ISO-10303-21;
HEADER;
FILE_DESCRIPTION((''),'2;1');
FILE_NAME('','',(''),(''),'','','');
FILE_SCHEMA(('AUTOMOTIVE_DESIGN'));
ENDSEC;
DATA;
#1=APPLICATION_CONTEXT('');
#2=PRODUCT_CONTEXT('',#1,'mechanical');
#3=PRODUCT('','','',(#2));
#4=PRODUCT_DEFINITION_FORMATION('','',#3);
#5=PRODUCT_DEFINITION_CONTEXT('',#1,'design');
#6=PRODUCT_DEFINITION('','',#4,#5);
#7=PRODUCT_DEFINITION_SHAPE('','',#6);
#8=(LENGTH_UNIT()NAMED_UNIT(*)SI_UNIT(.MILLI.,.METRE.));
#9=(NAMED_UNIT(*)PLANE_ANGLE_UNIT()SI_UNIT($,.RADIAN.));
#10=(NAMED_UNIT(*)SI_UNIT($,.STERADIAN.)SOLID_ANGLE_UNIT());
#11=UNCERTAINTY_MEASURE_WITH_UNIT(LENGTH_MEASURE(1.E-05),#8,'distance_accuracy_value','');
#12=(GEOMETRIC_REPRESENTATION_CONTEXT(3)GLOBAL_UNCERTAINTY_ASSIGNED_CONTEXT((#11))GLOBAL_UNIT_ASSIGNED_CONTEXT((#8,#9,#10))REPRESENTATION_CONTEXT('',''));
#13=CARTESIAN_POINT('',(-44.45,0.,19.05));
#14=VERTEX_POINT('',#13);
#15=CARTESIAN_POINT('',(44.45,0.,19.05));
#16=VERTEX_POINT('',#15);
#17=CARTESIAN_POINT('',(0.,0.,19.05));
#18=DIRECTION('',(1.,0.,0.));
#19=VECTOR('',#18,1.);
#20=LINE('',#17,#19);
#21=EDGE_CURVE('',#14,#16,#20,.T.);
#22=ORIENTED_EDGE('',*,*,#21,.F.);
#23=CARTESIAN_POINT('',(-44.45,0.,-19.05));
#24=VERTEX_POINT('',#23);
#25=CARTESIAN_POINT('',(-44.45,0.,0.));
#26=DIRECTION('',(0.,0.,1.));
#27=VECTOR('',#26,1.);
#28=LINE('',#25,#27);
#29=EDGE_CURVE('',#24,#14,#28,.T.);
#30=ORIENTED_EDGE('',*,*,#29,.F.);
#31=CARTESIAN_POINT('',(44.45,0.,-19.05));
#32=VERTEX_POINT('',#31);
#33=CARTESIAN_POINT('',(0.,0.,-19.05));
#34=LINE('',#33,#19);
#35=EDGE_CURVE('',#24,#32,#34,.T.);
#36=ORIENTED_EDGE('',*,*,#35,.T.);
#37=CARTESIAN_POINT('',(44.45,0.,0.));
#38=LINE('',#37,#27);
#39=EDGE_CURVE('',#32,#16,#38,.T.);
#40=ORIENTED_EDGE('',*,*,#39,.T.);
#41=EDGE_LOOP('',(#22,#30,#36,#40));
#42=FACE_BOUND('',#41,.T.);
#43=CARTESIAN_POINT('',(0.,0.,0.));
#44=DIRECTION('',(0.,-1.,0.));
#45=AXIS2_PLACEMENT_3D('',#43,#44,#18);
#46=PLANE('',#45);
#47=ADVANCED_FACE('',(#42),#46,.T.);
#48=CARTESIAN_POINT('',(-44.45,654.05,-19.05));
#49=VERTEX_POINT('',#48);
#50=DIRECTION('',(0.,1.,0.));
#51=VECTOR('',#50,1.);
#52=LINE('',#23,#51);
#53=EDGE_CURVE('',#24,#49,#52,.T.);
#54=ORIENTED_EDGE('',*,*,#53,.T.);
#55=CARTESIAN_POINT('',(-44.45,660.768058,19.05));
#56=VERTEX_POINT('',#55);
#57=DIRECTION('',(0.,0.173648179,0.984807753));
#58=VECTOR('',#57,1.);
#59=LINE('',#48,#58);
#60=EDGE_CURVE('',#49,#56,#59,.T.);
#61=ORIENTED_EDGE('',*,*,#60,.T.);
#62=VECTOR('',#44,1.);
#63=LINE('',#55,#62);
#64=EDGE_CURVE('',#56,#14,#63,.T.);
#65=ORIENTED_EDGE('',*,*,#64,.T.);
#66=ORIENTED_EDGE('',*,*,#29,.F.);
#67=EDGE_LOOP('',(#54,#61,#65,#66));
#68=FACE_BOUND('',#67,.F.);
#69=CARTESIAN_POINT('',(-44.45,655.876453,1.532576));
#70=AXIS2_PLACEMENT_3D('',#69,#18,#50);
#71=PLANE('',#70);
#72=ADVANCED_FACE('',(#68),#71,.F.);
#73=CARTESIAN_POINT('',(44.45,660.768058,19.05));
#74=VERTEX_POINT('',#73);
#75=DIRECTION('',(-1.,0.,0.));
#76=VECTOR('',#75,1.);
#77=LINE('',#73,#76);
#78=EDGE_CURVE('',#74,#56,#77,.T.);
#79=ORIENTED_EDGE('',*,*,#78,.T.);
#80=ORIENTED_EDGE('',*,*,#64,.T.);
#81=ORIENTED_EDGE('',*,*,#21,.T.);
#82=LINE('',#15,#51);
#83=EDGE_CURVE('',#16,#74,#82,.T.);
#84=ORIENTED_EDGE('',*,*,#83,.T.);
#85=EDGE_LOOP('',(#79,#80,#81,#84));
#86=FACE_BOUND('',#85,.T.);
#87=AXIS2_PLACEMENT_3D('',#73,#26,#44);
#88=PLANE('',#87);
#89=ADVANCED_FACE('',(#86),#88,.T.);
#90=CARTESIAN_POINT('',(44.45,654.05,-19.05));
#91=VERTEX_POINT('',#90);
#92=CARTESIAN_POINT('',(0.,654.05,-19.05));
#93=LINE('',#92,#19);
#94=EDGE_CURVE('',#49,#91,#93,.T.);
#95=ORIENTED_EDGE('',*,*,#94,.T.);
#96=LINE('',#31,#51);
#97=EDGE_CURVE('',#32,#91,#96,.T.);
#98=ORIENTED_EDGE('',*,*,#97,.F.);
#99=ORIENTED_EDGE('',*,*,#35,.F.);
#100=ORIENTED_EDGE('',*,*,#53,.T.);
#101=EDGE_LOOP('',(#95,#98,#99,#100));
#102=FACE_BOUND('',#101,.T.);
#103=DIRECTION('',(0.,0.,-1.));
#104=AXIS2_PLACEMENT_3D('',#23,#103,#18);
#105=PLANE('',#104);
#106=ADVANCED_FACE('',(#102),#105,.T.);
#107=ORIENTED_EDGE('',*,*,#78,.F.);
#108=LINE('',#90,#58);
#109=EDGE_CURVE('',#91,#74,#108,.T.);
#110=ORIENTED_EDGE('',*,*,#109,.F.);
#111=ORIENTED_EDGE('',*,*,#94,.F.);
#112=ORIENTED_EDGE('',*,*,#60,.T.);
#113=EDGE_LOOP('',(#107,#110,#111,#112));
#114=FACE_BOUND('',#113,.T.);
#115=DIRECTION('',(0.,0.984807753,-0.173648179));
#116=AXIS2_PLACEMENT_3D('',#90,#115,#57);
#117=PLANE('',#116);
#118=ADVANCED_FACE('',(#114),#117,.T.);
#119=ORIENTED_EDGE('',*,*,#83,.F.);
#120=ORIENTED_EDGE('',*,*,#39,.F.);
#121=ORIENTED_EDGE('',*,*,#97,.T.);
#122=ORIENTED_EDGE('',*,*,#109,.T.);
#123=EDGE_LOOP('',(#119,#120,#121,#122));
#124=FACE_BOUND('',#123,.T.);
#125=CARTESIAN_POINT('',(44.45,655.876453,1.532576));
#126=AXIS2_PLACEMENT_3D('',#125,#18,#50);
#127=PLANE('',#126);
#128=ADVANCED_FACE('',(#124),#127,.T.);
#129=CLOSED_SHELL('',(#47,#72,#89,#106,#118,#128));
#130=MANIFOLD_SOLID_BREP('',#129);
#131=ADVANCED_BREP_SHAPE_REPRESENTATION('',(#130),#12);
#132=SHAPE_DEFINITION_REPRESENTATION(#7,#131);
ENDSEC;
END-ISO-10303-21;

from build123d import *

# Parameters (mm, degrees)
F0_W     = 88.9
F0_H     = 38.1
F1_DEPTH = 654.05
F3_DEPTH = 88.9


with BuildPart() as f1:
    # F0 (on Front) → F1 (new body)
    with BuildSketch(Plane.XZ):
        Rectangle(F0_W, F0_H)
    extrude(amount=-F1_DEPTH)

    # F2 (on face) → F3 (join)
    with BuildSketch(Plane.YZ.offset(44.45)):
        Polygon((654.05, 19.05), (654.05, -19.05), (660.768058, 19.05), align=None)
    extrude(amount=-F3_DEPTH)


solid = f1.part
